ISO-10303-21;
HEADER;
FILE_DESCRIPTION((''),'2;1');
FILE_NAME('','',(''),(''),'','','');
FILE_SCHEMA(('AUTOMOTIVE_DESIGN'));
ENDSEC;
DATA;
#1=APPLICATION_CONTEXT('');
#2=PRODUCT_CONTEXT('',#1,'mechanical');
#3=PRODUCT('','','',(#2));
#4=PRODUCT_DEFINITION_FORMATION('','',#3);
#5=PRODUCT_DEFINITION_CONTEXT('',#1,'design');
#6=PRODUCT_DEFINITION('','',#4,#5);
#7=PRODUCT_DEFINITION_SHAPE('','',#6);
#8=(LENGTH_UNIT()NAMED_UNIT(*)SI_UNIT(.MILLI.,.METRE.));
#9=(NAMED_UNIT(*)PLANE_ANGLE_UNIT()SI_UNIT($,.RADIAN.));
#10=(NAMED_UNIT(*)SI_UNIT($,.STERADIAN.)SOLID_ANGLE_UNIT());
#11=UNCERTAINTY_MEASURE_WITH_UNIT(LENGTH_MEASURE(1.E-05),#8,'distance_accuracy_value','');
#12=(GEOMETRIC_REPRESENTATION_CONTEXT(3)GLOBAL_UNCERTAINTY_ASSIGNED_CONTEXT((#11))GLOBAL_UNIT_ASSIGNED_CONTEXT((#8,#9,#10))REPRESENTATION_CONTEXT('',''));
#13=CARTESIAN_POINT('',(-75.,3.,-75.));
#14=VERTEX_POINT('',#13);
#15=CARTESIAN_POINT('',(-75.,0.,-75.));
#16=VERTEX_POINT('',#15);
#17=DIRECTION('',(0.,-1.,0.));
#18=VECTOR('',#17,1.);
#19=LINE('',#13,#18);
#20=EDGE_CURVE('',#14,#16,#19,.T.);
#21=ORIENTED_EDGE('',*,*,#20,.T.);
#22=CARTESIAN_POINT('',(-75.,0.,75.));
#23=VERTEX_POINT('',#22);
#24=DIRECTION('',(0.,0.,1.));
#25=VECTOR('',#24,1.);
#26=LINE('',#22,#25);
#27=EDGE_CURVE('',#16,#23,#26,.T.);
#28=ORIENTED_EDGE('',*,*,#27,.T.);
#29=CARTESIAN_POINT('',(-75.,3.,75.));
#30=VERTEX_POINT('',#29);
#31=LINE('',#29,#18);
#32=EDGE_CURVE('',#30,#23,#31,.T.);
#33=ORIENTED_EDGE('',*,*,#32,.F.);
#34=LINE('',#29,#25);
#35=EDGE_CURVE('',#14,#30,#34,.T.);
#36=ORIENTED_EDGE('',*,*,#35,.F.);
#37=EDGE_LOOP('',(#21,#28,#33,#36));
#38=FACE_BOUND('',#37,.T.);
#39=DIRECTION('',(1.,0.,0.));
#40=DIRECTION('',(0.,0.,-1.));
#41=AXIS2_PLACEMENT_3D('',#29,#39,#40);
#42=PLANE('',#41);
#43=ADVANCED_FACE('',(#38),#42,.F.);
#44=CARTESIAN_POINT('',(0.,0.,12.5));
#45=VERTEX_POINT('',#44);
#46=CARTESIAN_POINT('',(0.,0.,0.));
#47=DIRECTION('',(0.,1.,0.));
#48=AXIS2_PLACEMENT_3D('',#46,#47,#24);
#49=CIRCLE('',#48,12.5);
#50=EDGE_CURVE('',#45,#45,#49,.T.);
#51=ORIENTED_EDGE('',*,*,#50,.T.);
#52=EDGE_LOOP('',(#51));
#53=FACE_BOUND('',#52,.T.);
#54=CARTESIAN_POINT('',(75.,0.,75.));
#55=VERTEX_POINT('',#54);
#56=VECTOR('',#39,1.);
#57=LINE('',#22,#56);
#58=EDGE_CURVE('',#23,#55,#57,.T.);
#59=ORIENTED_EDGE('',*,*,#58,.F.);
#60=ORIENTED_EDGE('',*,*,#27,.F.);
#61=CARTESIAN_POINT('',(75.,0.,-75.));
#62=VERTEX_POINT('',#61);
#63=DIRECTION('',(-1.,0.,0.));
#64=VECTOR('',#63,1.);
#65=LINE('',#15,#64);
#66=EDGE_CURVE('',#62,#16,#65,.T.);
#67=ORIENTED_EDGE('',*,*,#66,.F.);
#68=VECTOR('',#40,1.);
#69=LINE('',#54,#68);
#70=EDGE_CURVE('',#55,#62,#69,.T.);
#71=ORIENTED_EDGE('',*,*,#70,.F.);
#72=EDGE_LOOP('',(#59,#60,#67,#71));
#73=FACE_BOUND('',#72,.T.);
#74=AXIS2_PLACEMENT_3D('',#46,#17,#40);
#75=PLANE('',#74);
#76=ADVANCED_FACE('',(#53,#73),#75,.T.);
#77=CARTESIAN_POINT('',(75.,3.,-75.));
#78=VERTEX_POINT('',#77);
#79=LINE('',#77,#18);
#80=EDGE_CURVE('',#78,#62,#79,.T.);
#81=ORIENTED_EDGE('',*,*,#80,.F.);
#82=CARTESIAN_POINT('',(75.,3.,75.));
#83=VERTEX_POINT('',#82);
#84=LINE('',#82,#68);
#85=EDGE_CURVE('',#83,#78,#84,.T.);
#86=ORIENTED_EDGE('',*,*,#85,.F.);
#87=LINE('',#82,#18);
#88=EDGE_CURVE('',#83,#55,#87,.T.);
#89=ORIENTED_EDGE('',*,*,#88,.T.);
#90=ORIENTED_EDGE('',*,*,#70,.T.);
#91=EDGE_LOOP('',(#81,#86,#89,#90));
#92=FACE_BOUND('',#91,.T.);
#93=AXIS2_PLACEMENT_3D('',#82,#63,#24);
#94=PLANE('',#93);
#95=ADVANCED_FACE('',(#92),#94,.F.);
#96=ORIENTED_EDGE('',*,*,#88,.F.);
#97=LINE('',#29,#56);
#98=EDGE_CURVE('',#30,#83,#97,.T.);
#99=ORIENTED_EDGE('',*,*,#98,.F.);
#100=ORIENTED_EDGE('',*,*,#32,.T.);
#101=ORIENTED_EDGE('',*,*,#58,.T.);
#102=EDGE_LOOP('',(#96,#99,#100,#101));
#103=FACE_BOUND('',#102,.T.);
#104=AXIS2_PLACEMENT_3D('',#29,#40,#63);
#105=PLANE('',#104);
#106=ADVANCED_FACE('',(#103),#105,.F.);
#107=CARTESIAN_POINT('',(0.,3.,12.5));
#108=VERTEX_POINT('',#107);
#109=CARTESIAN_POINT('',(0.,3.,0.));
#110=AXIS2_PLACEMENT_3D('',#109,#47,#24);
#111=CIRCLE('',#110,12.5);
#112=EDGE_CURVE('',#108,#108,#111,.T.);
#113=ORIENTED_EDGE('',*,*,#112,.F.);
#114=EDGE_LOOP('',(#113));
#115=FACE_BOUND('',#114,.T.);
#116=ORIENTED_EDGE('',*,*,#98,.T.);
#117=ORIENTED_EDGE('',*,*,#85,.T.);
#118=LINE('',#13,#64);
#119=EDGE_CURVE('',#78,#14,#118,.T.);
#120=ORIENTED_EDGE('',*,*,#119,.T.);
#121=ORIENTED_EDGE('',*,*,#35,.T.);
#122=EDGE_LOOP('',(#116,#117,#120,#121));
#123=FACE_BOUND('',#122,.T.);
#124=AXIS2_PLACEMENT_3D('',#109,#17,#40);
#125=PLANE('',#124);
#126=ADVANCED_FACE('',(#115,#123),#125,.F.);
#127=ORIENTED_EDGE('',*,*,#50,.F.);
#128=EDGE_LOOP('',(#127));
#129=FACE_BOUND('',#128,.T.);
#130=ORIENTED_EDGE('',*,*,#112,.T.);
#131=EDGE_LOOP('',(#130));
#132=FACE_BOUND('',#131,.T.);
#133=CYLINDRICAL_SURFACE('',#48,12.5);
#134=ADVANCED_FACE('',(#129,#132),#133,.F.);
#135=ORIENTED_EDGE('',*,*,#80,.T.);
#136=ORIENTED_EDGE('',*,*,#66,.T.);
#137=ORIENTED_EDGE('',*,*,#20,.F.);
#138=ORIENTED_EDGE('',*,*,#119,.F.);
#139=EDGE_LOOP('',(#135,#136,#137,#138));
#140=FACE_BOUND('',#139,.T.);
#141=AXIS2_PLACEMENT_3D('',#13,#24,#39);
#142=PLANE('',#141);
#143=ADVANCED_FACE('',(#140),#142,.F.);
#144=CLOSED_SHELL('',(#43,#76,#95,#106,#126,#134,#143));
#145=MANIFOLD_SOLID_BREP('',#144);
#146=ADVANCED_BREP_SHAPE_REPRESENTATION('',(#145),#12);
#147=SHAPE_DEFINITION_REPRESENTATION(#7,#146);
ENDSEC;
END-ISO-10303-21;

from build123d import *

# Parameters (mm, degrees)
SKETCH1_W           = 150
SKETCH1_H           = 150
BOSS_EXTRUDE1_DEPTH = 3
SKETCH2_R           = 12.5
CUT_EXTRUDE1_DEPTH  = 3


with BuildPart() as part:
    # Sketch1 → Boss-Extrude1 (new body)
    with BuildSketch(Plane(origin=(0, 0, 0), x_dir=(1, 0, 0), z_dir=(0, 1, 0))):
        Rectangle(SKETCH1_W, SKETCH1_H)
    extrude(amount=BOSS_EXTRUDE1_DEPTH)

    # Sketch2 → Cut-Extrude1 (cut)
    with BuildSketch(Plane(origin=(0, 3, 0), x_dir=(1, 0, 0), z_dir=(0, 1, 0))):
        with Locations(Location((0, 0, 0), (0, 0, 270))):
            Circle(SKETCH2_R)
    extrude(amount=-CUT_EXTRUDE1_DEPTH, mode=Mode.SUBTRACT)


solid = part.part
